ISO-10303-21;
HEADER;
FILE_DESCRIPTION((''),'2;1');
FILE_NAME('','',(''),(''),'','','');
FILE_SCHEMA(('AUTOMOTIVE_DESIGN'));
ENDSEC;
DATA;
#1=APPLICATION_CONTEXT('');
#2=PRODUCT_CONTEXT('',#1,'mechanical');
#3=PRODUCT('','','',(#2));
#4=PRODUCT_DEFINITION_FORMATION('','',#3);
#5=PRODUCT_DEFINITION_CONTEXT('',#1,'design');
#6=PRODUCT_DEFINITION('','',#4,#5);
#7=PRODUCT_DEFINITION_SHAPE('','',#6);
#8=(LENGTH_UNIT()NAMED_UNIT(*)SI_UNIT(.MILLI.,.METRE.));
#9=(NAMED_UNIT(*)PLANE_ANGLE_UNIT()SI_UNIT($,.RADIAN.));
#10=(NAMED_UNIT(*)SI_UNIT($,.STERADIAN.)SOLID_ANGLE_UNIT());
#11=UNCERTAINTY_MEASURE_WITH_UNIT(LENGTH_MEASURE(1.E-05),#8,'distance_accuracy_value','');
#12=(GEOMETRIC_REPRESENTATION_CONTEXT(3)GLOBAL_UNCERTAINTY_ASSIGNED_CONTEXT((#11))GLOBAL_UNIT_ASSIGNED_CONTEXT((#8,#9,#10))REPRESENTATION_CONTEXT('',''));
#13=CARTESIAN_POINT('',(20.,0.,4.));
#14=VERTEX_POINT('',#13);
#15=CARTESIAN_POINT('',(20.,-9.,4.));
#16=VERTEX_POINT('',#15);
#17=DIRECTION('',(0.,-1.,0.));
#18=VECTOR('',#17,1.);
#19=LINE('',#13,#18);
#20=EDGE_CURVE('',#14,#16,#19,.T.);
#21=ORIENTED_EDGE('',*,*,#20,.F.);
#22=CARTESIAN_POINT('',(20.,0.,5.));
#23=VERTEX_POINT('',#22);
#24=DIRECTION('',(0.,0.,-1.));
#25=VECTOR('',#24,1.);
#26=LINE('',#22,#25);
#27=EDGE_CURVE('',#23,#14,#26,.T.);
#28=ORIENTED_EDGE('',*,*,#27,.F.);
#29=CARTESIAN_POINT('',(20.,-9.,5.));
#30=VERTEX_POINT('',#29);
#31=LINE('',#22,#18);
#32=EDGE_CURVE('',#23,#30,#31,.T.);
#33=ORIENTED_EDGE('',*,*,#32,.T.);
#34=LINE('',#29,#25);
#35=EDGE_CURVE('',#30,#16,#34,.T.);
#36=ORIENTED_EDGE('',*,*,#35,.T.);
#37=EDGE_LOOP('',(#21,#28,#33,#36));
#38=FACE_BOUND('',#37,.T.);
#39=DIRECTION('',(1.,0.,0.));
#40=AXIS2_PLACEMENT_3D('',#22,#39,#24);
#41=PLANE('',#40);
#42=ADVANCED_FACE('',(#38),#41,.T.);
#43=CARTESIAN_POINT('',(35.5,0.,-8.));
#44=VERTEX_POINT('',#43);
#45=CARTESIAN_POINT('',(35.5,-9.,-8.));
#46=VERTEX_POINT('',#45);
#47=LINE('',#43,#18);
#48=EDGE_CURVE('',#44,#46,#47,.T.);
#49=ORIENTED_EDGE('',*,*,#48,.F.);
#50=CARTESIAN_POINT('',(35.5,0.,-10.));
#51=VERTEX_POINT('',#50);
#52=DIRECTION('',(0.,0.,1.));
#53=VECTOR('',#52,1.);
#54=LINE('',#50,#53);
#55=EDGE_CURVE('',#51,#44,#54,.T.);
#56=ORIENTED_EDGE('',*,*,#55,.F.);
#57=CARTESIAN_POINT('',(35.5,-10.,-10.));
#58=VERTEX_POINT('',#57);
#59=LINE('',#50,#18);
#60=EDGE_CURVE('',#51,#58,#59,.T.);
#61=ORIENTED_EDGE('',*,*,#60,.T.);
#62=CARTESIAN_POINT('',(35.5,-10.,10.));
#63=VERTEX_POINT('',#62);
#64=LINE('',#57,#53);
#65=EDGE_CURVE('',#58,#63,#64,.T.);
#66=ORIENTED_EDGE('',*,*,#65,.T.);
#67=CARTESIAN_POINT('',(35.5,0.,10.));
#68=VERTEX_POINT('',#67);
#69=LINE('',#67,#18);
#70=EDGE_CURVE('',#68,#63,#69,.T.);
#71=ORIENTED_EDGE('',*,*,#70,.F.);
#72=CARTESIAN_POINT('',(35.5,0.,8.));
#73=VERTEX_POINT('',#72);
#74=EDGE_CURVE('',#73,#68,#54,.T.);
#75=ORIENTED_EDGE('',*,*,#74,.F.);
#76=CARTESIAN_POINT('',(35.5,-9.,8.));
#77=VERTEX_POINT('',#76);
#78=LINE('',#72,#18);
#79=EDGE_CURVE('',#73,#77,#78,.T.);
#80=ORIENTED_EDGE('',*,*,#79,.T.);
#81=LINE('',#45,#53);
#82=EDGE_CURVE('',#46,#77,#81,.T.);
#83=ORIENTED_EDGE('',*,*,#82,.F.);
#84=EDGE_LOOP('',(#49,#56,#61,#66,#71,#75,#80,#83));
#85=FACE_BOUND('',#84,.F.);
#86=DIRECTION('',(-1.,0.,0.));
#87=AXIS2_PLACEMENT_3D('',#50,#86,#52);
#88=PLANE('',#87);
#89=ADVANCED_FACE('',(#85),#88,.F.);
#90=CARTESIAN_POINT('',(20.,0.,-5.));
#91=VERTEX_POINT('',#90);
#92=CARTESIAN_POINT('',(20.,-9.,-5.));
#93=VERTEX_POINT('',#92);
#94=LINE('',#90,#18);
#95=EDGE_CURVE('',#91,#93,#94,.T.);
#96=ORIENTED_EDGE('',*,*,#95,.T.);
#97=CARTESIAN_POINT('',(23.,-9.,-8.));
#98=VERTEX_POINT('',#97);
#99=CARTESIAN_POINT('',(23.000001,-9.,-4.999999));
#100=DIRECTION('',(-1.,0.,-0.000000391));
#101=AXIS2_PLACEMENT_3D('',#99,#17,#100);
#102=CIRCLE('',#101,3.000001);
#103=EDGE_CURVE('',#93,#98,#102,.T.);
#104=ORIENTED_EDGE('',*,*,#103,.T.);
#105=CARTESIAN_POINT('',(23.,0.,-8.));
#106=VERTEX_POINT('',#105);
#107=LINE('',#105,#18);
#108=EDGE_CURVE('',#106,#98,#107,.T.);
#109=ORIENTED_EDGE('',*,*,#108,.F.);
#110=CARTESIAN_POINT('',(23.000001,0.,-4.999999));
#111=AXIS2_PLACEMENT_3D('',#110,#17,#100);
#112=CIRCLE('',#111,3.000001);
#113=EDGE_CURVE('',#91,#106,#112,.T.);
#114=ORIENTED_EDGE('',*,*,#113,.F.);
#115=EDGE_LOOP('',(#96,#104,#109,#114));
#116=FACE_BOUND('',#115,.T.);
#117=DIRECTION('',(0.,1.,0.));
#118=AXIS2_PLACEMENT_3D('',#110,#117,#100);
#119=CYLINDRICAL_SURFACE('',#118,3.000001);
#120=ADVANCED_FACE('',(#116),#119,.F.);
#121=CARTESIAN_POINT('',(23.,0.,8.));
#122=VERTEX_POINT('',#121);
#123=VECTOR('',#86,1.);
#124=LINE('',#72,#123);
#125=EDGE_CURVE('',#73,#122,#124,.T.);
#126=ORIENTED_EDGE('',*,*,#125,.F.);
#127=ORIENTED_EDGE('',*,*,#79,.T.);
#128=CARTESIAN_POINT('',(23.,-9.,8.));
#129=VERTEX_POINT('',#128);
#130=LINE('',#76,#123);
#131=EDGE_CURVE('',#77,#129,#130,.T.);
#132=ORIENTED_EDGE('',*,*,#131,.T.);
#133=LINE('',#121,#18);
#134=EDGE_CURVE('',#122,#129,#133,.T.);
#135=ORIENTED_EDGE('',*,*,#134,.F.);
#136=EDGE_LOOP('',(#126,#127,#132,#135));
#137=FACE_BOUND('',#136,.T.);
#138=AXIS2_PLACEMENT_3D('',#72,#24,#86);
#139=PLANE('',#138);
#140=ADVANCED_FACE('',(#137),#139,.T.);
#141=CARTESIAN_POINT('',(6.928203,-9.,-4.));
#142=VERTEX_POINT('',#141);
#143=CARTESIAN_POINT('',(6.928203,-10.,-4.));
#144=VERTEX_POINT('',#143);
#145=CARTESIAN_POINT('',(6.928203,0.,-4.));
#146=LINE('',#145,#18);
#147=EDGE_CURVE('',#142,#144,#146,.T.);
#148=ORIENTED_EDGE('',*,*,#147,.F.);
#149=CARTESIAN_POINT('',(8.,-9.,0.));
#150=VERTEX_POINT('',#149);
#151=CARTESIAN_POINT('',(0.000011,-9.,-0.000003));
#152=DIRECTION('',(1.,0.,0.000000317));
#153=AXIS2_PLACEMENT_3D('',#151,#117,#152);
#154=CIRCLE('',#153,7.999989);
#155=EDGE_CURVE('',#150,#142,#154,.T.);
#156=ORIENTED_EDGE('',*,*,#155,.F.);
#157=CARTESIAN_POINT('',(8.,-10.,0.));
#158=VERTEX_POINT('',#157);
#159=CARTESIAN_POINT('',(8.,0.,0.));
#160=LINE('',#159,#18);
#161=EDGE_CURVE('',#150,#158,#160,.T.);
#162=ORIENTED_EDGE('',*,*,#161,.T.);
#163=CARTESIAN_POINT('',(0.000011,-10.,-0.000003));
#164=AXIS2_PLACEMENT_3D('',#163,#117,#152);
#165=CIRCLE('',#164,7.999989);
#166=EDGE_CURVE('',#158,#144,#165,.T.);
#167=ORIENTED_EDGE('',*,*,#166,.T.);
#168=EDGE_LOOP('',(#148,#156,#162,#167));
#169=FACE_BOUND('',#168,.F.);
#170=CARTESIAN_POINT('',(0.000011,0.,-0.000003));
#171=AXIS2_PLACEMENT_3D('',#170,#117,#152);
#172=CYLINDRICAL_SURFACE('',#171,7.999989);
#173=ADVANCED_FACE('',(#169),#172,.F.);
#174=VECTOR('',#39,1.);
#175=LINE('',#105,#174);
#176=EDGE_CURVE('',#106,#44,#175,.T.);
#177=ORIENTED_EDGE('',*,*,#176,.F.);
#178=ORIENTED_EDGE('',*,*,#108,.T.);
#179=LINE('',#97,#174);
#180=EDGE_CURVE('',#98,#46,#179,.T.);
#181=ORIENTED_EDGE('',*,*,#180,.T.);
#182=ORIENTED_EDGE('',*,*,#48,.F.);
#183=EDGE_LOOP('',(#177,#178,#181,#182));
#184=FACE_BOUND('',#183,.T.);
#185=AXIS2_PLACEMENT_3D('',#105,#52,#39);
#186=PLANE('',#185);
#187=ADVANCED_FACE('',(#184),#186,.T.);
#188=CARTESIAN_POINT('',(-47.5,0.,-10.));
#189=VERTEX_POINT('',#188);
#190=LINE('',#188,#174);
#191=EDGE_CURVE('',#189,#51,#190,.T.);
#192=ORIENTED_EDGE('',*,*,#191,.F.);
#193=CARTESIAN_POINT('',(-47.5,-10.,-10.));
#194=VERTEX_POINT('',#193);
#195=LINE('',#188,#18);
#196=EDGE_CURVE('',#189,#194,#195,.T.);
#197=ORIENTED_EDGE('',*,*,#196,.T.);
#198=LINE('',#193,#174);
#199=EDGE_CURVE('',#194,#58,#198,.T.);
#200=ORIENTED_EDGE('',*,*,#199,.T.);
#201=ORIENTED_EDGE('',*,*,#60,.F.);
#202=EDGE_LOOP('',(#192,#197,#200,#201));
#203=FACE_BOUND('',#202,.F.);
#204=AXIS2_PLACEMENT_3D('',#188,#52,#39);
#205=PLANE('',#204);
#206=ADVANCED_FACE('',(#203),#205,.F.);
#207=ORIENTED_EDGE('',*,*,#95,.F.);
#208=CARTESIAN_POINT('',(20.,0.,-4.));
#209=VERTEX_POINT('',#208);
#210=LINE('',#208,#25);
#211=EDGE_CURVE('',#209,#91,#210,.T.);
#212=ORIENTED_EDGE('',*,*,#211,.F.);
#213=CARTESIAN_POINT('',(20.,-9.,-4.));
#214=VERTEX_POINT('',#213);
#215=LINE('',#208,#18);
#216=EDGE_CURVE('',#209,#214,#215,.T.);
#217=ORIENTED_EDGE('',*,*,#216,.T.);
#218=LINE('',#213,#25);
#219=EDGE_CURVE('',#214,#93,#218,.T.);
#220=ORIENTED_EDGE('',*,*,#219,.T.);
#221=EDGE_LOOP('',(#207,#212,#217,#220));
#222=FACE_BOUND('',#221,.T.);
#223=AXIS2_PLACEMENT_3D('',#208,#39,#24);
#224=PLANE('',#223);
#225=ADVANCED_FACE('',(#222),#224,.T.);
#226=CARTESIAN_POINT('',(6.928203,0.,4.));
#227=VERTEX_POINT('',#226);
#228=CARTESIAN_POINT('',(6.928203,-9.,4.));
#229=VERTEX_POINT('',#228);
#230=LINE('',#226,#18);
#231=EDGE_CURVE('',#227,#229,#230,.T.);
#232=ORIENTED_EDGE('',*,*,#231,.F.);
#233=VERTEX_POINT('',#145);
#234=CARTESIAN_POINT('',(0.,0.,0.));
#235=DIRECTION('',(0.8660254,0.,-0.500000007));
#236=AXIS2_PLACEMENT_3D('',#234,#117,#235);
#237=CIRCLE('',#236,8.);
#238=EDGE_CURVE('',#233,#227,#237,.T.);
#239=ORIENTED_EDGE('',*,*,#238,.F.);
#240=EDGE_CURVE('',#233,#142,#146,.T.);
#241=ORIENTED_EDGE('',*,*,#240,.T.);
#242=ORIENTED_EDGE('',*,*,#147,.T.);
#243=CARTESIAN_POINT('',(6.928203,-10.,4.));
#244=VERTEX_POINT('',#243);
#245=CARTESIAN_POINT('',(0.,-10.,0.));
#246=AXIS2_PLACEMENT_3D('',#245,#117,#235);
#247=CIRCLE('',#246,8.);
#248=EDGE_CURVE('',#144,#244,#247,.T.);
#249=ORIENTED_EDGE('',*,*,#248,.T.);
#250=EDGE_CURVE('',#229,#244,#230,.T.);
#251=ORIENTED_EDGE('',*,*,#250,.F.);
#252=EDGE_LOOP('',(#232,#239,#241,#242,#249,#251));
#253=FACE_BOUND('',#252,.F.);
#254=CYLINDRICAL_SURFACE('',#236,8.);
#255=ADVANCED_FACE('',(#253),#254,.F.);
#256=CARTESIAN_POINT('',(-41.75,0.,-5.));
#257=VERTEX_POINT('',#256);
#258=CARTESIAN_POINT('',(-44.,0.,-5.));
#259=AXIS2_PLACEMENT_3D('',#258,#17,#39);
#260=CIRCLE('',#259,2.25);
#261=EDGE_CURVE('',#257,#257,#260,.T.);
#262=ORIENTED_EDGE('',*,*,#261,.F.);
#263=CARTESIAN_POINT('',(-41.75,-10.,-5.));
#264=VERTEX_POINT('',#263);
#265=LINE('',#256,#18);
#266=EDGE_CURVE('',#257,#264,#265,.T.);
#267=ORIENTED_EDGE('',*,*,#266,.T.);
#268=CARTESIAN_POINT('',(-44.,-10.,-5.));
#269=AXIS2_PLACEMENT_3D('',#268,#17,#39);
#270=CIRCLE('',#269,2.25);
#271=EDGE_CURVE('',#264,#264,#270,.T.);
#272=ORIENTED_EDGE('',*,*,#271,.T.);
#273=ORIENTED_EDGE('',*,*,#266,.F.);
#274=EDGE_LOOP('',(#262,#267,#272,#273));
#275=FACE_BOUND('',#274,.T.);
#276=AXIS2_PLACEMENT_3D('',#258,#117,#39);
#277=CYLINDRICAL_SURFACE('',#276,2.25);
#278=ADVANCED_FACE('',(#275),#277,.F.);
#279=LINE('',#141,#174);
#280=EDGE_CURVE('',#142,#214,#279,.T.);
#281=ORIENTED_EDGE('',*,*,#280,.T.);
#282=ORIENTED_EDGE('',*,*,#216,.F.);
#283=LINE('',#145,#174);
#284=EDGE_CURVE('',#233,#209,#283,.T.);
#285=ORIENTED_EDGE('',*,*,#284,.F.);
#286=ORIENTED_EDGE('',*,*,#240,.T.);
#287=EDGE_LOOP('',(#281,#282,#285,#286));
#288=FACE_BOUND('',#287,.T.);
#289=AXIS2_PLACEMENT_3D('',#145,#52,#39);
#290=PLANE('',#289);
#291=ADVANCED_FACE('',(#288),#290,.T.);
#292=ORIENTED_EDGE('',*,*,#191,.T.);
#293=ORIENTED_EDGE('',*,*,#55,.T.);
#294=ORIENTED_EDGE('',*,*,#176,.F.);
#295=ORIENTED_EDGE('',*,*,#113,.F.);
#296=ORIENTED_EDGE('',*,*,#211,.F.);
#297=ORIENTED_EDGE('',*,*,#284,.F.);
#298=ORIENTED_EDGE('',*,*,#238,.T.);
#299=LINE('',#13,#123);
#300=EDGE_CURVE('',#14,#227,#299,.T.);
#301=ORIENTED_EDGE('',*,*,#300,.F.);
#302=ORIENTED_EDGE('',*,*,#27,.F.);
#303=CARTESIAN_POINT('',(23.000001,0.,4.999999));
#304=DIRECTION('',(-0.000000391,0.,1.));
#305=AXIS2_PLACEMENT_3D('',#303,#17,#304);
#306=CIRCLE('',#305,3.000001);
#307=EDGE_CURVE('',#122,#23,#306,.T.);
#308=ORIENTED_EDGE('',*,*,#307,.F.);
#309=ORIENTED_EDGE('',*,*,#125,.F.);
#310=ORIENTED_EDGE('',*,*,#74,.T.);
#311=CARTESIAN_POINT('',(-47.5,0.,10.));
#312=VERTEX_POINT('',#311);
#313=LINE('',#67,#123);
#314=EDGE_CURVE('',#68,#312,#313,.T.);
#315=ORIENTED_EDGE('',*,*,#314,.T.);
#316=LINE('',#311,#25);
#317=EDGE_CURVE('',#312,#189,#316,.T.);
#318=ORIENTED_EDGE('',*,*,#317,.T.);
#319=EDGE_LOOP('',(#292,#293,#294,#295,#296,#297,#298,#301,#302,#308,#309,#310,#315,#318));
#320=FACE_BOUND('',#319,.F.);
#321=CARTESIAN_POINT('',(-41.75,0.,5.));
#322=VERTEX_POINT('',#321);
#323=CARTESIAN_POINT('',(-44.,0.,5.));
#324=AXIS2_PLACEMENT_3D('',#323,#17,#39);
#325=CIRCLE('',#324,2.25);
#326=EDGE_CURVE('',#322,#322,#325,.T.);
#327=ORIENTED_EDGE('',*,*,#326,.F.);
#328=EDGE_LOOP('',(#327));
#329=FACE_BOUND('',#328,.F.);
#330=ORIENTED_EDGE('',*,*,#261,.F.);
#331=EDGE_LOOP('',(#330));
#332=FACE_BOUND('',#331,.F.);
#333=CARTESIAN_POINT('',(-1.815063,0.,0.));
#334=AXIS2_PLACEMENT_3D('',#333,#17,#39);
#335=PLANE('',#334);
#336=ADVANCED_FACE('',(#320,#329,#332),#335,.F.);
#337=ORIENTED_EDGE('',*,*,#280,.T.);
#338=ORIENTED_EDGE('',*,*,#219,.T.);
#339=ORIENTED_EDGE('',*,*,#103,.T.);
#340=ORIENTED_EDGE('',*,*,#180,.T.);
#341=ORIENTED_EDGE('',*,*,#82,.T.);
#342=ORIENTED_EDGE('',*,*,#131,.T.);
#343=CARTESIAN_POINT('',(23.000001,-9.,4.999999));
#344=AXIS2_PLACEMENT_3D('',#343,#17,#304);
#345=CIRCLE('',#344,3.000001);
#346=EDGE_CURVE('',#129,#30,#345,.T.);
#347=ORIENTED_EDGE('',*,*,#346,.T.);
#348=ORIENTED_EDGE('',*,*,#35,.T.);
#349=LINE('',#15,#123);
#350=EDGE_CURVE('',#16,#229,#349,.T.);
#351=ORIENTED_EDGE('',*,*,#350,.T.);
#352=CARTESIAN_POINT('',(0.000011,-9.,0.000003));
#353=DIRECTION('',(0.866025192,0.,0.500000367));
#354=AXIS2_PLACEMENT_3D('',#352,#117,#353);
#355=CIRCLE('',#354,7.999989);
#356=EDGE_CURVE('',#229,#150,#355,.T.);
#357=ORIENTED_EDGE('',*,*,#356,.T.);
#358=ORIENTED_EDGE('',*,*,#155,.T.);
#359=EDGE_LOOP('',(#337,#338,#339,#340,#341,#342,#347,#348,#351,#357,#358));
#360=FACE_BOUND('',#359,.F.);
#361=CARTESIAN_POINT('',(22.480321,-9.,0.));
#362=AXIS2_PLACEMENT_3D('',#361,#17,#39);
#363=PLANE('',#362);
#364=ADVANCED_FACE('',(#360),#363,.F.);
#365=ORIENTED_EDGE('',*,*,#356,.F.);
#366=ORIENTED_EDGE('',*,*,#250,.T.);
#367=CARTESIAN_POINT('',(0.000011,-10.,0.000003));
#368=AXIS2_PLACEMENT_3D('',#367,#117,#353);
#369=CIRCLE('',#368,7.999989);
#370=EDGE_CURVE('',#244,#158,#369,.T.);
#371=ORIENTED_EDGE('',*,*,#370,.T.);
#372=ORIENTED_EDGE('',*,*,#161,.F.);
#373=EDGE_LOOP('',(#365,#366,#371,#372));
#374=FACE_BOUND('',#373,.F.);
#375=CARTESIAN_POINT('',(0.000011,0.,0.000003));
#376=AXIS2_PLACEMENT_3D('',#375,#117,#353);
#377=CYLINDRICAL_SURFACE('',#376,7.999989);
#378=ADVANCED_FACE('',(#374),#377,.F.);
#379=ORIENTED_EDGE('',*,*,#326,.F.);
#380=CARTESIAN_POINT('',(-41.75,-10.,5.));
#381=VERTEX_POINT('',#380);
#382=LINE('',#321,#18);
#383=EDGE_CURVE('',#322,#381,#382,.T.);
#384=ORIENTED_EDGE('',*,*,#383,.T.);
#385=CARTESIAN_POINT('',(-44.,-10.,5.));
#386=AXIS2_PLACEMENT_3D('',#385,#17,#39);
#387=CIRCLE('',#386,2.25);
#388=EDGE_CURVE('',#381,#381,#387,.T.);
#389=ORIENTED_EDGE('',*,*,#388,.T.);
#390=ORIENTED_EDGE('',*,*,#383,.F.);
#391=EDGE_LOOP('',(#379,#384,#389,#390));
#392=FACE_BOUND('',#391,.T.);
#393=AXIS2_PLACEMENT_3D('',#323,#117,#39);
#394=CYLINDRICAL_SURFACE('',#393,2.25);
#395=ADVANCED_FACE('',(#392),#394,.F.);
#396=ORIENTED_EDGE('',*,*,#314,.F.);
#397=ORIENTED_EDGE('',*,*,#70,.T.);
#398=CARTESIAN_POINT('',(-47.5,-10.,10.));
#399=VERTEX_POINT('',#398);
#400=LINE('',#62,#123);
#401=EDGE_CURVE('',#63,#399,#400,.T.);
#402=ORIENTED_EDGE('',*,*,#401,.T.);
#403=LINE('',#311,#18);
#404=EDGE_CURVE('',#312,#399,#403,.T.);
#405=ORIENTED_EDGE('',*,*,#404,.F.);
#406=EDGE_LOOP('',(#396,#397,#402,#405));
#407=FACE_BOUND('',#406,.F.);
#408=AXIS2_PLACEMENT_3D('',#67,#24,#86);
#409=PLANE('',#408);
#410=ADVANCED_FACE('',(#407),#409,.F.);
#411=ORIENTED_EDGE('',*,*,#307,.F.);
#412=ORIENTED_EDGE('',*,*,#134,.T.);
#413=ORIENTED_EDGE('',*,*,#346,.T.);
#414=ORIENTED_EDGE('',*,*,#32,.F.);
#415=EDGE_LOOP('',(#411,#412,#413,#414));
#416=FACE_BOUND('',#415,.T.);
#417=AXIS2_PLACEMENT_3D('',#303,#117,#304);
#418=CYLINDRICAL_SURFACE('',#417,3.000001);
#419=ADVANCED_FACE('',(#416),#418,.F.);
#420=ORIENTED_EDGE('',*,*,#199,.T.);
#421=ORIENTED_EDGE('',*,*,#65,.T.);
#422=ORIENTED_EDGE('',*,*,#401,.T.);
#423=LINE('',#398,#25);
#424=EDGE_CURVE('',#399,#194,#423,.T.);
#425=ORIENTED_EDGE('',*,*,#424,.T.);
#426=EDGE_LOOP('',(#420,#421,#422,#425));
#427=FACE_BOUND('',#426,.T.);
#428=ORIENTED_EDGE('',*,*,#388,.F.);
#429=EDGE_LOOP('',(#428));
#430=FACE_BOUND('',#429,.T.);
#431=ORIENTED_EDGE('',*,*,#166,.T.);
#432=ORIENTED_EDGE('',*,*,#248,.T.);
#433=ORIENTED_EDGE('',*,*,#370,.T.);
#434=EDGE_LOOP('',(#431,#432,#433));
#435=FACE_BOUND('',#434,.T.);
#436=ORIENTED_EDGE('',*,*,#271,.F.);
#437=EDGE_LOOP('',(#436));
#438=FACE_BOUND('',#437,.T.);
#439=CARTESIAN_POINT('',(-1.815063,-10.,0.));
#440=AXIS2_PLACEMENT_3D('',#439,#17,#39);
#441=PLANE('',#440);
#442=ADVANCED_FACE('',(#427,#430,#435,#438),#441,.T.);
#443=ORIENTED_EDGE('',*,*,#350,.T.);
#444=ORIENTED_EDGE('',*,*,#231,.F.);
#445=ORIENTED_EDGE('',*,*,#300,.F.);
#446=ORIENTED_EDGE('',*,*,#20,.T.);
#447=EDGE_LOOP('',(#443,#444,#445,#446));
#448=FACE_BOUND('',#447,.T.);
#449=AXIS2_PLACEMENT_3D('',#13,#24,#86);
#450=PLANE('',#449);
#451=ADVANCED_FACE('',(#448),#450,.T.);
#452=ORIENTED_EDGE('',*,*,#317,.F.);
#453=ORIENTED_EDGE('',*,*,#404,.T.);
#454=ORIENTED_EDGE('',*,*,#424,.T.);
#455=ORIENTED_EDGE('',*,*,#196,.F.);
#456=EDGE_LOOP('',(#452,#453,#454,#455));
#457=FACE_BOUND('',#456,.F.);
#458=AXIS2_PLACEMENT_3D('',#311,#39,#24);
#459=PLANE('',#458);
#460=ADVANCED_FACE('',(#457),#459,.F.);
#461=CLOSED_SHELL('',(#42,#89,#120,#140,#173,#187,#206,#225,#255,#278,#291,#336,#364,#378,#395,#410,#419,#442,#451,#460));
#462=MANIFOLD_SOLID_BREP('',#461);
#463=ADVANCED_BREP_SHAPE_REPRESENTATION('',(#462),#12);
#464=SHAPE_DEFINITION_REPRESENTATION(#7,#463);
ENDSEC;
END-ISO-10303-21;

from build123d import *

# Parameters (mm, degrees)
F0_R     = 2.25
F1_DEPTH = 10
F2_DEPTH = 9


with BuildPart() as f1:
    # F0 (on Front) → F1 (new body)
    with BuildSketch(Plane.XZ):
        with BuildLine():
            Line((35.5, 10), (-47.5, 10))
            Line((-47.5, 10), (-47.5, -10))
            Line((-47.5, -10), (35.5, -10))
            Line((35.5, -10), (35.5, -8))
            Line((35.5, -8), (23, -8))
            ThreePointArc((23, -8), (20.87868, -7.12132), (20, -5))
            Line((20, -5), (20, -4))
            Line((20, -4), (6.928203, -4))
            ThreePointArc((6.928203, -4), (-8, 0), (6.928203, 4))
            Line((6.928203, 4), (20, 4))
            Line((20, 4), (20, 5))
            ThreePointArc((20, 5), (20.87868, 7.12132), (23, 8))
            Line((23, 8), (35.5, 8))
            Line((35.5, 8), (35.5, 10))
        make_face()
        with Locations((-44, -5)):
            Circle(F0_R, mode=Mode.SUBTRACT)
        with Locations((-44, 5)):
            Circle(F0_R, mode=Mode.SUBTRACT)
        with BuildLine():
            Line((35.5, -8), (35.5, 8))
            Line((35.5, 8), (23, 8))
            ThreePointArc((23, 8), (20.87868, 7.12132), (20, 5))
            Line((20, 5), (20, 4))
            Line((20, 4), (6.928203, 4))
            ThreePointArc((6.928203, 4), (7.727407, 2.070552), (8, 0))
            ThreePointArc((8, 0), (7.727407, -2.070552), (6.928203, -4))
            Line((6.928203, -4), (20, -4))
            Line((20, -4), (20, -5))
            ThreePointArc((20, -5), (20.87868, -7.12132), (23, -8))
            Line((23, -8), (35.5, -8))
        make_face()
    extrude(amount=F1_DEPTH)

    # F0 (on Front) → F2 (cut)
    with BuildSketch(Plane.XZ):
        with BuildLine():
            Line((35.5, -8), (35.5, 8))
            Line((35.5, 8), (23, 8))
            ThreePointArc((23, 8), (20.87868, 7.12132), (20, 5))
            Line((20, 5), (20, 4))
            Line((20, 4), (6.928203, 4))
            ThreePointArc((6.928203, 4), (7.727407, 2.070552), (8, 0))
            ThreePointArc((8, 0), (7.727407, -2.070552), (6.928203, -4))
            Line((6.928203, -4), (20, -4))
            Line((20, -4), (20, -5))
            ThreePointArc((20, -5), (20.87868, -7.12132), (23, -8))
            Line((23, -8), (35.5, -8))
        make_face()
    extrude(amount=F2_DEPTH, mode=Mode.SUBTRACT)


solid = f1.part
